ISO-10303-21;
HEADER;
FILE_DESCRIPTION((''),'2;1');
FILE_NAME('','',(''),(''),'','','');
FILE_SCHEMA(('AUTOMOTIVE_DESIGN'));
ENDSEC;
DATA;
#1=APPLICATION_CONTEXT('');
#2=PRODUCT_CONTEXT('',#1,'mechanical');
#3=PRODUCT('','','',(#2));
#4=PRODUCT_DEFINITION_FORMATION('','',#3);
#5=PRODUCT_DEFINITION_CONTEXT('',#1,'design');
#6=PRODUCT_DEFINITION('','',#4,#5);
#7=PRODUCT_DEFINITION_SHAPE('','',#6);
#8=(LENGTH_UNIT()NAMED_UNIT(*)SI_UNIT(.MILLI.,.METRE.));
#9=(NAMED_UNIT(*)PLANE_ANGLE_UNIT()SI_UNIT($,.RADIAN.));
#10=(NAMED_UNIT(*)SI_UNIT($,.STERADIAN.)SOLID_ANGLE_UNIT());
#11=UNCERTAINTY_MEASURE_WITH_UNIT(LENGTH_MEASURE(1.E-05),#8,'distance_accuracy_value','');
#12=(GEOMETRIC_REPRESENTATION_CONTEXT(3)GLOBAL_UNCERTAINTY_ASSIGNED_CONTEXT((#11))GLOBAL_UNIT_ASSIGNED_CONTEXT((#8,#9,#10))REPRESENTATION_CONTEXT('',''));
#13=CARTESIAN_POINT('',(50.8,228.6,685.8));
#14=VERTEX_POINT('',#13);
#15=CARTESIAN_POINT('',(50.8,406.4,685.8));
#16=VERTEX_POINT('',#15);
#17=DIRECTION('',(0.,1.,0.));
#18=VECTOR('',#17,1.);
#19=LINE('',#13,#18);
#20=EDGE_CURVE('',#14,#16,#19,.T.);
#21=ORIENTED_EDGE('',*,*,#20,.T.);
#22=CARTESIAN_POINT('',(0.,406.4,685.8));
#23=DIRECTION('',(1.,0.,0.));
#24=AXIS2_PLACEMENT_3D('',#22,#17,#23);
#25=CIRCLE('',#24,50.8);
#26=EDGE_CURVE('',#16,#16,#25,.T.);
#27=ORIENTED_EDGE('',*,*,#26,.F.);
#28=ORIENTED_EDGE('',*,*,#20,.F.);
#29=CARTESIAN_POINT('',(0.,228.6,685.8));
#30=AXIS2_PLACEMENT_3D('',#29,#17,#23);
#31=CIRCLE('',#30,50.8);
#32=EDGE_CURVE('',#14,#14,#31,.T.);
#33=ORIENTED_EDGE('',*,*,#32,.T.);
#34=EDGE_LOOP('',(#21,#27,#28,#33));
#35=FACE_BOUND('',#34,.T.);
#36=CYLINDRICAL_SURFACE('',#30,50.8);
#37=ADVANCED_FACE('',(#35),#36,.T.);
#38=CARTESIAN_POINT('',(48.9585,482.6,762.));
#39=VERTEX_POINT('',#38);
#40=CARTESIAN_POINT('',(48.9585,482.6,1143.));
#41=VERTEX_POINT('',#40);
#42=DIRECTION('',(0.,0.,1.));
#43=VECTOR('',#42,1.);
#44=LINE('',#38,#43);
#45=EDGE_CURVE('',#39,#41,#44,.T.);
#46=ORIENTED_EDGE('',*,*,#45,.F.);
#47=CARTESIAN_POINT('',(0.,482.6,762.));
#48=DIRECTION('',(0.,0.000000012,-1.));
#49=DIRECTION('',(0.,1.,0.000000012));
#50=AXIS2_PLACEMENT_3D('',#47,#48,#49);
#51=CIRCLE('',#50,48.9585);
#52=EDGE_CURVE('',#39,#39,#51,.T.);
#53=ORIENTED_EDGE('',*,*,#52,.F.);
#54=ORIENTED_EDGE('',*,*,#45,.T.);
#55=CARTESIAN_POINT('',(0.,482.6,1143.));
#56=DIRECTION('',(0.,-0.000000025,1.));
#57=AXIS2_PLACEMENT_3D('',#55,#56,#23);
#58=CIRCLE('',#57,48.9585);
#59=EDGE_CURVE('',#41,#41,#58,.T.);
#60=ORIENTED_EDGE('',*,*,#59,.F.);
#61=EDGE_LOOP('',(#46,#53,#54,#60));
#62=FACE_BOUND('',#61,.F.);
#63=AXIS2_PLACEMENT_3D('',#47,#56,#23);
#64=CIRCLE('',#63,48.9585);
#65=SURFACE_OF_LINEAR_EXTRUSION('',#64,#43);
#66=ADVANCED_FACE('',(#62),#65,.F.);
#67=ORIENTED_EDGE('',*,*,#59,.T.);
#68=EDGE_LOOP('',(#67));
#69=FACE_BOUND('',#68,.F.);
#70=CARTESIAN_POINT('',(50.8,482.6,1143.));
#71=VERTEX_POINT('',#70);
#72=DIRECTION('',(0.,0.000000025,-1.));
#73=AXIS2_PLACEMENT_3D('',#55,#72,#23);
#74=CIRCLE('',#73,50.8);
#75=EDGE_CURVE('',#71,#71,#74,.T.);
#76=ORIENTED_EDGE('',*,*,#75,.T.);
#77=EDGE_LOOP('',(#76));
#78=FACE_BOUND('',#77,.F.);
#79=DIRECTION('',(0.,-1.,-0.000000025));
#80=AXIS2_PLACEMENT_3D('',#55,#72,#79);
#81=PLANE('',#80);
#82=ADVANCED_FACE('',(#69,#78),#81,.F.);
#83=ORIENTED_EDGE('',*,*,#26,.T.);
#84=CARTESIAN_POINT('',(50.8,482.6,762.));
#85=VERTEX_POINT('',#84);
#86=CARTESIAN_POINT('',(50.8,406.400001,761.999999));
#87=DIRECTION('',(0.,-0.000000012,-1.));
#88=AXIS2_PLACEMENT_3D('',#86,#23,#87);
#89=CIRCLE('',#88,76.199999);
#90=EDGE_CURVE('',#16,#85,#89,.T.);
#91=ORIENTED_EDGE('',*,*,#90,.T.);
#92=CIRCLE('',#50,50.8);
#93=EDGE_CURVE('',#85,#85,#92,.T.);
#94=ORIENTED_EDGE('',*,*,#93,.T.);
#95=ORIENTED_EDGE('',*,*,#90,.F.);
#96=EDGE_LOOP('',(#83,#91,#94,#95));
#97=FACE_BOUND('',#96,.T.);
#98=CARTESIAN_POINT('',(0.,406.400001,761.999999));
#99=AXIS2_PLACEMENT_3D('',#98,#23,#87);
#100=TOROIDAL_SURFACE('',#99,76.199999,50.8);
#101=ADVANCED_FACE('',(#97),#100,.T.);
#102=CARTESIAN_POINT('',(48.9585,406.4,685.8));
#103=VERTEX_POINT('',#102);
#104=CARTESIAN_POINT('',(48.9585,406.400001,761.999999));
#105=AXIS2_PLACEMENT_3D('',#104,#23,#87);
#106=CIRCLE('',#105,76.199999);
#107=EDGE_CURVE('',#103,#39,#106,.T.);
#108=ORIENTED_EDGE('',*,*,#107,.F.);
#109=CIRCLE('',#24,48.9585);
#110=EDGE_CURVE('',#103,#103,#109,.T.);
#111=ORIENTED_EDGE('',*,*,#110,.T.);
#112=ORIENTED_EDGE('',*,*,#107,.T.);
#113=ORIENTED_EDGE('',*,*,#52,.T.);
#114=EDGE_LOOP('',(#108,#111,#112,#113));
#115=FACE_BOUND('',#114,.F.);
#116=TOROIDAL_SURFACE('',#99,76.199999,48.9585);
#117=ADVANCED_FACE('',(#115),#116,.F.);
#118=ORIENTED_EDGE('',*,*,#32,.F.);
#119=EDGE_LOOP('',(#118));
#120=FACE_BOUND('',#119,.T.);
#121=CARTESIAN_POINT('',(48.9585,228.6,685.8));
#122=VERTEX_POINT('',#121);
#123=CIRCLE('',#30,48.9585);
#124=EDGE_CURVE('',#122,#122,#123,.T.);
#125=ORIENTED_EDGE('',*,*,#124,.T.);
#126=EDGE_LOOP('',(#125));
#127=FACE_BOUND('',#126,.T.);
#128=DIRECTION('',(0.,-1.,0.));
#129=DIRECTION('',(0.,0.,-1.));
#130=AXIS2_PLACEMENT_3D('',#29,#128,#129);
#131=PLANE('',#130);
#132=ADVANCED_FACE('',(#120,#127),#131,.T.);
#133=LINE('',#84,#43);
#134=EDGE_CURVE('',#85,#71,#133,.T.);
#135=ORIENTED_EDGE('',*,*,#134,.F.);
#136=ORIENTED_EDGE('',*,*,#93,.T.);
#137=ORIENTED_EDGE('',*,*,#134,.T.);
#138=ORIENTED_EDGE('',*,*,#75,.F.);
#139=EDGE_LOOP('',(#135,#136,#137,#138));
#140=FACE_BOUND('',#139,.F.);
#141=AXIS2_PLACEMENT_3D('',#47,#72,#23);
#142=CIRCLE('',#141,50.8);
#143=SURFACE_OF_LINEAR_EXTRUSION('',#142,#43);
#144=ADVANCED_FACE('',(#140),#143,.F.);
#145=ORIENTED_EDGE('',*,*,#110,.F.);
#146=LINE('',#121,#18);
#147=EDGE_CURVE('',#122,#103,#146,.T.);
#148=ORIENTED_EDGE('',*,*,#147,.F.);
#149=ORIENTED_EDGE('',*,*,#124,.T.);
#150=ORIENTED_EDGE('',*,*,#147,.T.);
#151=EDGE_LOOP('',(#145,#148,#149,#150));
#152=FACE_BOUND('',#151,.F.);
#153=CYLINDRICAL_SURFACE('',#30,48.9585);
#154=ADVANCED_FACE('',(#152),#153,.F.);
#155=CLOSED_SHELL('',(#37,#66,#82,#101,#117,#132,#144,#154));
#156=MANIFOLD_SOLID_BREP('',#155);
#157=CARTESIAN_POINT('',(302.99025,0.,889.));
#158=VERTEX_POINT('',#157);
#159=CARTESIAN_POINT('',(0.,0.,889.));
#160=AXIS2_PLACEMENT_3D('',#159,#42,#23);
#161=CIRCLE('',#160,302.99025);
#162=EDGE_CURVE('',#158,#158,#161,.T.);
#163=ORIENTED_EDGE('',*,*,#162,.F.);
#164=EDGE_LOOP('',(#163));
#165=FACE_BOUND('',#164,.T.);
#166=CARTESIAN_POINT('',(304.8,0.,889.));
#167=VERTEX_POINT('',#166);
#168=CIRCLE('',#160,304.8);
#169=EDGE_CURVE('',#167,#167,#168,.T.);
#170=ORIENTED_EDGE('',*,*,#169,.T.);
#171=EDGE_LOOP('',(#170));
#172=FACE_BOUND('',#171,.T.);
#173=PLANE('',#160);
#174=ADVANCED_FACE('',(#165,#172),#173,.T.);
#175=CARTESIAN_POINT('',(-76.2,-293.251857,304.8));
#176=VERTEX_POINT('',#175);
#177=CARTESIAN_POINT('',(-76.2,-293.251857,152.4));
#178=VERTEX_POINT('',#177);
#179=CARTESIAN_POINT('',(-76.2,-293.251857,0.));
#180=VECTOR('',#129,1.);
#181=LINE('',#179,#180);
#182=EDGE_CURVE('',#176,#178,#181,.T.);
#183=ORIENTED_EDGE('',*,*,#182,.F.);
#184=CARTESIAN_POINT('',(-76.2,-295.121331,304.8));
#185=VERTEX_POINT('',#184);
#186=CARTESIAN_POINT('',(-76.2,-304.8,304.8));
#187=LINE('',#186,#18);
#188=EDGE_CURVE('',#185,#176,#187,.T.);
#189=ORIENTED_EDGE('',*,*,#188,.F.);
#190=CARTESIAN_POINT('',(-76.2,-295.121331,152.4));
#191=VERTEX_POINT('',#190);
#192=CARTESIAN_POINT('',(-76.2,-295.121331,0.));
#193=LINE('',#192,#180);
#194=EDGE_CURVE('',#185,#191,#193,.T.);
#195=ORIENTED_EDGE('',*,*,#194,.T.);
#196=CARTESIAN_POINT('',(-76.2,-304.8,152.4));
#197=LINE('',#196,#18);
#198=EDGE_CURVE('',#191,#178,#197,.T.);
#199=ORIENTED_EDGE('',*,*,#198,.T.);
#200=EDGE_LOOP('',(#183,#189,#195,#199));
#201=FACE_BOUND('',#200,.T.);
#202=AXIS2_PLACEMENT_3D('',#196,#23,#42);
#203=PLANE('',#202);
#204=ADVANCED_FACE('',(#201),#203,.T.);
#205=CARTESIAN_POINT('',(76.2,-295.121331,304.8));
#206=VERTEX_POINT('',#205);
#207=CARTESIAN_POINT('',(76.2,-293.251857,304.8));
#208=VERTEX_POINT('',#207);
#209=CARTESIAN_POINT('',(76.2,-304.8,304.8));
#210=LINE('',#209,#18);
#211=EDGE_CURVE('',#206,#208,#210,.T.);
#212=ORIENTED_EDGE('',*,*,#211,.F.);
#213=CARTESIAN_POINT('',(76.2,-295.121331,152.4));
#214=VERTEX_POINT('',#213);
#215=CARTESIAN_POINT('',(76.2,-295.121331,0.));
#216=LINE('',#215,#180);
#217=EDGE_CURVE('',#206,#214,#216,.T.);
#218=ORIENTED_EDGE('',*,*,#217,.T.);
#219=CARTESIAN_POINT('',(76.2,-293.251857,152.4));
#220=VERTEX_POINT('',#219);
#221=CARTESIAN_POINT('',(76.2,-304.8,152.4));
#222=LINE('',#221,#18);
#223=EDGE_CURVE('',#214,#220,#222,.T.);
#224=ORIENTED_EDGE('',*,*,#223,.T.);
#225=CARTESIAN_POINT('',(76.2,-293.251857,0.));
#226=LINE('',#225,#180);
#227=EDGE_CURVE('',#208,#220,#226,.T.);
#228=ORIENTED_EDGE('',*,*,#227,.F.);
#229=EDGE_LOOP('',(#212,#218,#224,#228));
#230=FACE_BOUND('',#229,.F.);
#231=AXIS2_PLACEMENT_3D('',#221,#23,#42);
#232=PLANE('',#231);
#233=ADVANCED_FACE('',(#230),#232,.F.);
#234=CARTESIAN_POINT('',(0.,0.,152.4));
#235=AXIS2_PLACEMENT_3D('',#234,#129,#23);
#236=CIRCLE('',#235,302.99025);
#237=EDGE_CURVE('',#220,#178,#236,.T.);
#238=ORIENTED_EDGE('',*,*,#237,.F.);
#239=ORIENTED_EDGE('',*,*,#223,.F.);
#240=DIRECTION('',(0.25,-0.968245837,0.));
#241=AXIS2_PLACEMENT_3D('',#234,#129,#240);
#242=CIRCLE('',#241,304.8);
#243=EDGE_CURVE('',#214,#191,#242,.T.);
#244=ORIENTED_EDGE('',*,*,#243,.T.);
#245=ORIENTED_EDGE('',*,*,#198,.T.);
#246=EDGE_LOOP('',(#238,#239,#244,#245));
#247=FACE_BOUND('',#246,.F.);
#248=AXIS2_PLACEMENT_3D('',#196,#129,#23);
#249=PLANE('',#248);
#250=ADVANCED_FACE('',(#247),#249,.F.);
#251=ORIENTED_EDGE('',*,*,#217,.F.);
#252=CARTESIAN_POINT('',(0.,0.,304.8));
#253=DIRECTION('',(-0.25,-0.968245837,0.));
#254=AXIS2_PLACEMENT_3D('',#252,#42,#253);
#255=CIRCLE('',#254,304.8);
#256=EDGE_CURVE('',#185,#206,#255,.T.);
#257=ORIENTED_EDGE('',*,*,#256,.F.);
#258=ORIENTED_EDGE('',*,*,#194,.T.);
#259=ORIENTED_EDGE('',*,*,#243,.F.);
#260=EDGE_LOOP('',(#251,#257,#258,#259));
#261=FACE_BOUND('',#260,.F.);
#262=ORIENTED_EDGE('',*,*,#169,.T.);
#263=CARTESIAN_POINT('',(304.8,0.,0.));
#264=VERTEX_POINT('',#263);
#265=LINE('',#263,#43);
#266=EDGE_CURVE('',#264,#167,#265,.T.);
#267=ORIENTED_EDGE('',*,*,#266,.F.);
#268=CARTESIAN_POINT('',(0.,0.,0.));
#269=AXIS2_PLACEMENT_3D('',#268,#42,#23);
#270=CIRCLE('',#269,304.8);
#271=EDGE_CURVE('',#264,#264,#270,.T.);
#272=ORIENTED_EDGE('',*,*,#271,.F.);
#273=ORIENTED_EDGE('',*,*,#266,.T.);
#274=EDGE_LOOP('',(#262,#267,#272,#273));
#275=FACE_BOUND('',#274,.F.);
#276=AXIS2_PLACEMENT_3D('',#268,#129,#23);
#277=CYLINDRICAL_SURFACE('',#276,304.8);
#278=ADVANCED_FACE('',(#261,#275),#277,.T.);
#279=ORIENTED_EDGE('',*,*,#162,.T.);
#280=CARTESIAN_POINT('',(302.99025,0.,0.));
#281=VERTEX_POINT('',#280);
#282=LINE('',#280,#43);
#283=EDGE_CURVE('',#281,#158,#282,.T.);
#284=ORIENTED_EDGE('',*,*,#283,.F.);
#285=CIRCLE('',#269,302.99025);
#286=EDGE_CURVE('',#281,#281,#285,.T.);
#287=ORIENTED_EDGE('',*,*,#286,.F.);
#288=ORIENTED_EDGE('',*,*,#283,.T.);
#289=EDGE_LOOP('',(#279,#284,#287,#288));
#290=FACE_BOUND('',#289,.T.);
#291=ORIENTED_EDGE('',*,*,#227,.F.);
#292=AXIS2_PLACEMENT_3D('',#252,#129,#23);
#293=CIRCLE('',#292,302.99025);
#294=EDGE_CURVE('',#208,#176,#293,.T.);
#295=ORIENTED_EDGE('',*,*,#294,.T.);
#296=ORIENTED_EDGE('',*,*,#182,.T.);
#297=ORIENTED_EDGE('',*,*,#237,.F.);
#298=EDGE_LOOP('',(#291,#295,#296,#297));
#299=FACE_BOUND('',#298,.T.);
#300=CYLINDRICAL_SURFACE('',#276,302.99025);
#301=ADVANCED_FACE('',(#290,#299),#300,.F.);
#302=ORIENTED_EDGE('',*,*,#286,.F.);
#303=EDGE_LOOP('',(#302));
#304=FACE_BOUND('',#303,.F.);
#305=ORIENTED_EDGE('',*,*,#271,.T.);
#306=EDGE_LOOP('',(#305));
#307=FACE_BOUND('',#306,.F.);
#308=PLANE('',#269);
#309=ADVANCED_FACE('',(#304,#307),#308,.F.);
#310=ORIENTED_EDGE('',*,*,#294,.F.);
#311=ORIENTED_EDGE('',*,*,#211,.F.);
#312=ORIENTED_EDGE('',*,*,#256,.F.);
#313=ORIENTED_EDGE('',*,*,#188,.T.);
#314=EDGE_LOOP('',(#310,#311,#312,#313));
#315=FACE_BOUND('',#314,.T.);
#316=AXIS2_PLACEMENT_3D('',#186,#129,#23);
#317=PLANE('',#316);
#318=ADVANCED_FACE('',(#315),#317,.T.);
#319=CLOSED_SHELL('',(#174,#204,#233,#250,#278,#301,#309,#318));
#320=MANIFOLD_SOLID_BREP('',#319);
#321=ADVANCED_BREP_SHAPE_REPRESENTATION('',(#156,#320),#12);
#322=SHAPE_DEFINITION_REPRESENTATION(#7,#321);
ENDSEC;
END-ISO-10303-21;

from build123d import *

# Parameters (mm, degrees)
F0_R     = 304.8
F0_R_2   = 302.99025
F1_DEPTH = 889
F3_W     = 152.4
F3_H     = 152.4
F4_DEPTH = 25.4
F7_R     = 50.8
F7_R_2   = 48.9585


with BuildPart() as f1:
    # F0 (on Top) → F1 (new body)
    with BuildSketch(Plane.XY):
        Circle(F0_R)
        Circle(F0_R_2, mode=Mode.SUBTRACT)
    extrude(amount=F1_DEPTH)

    # F3 (on offset) → F4 (cut)
    with BuildSketch(Plane.XZ.offset(304.8)):
        with Locations((0, 228.6)):
            Rectangle(F3_W, F3_H)
    extrude(amount=-F4_DEPTH, mode=Mode.SUBTRACT)


with BuildPart() as f8:
    # F8: sweep along a path in F5
    with BuildLine(Plane.YZ) as f8_path:
        Line((228.6, 685.8), (406.4, 685.8))
        ThreePointArc((406.4, 685.8), (460.281537, 708.118463), (482.6, 762))
        Line((482.6, 762), (482.6, 1143))
    # F7 (on offset) → F8 (sweep)
    with BuildSketch(Plane.XZ.offset(-228.6)):
        with Locations((0, 685.8)):
            Circle(F7_R)
        with Locations((0, 685.8)):
            Circle(F7_R_2, mode=Mode.SUBTRACT)
    sweep(path=f8_path.line)


solid = Compound([f1.part, f8.part])
